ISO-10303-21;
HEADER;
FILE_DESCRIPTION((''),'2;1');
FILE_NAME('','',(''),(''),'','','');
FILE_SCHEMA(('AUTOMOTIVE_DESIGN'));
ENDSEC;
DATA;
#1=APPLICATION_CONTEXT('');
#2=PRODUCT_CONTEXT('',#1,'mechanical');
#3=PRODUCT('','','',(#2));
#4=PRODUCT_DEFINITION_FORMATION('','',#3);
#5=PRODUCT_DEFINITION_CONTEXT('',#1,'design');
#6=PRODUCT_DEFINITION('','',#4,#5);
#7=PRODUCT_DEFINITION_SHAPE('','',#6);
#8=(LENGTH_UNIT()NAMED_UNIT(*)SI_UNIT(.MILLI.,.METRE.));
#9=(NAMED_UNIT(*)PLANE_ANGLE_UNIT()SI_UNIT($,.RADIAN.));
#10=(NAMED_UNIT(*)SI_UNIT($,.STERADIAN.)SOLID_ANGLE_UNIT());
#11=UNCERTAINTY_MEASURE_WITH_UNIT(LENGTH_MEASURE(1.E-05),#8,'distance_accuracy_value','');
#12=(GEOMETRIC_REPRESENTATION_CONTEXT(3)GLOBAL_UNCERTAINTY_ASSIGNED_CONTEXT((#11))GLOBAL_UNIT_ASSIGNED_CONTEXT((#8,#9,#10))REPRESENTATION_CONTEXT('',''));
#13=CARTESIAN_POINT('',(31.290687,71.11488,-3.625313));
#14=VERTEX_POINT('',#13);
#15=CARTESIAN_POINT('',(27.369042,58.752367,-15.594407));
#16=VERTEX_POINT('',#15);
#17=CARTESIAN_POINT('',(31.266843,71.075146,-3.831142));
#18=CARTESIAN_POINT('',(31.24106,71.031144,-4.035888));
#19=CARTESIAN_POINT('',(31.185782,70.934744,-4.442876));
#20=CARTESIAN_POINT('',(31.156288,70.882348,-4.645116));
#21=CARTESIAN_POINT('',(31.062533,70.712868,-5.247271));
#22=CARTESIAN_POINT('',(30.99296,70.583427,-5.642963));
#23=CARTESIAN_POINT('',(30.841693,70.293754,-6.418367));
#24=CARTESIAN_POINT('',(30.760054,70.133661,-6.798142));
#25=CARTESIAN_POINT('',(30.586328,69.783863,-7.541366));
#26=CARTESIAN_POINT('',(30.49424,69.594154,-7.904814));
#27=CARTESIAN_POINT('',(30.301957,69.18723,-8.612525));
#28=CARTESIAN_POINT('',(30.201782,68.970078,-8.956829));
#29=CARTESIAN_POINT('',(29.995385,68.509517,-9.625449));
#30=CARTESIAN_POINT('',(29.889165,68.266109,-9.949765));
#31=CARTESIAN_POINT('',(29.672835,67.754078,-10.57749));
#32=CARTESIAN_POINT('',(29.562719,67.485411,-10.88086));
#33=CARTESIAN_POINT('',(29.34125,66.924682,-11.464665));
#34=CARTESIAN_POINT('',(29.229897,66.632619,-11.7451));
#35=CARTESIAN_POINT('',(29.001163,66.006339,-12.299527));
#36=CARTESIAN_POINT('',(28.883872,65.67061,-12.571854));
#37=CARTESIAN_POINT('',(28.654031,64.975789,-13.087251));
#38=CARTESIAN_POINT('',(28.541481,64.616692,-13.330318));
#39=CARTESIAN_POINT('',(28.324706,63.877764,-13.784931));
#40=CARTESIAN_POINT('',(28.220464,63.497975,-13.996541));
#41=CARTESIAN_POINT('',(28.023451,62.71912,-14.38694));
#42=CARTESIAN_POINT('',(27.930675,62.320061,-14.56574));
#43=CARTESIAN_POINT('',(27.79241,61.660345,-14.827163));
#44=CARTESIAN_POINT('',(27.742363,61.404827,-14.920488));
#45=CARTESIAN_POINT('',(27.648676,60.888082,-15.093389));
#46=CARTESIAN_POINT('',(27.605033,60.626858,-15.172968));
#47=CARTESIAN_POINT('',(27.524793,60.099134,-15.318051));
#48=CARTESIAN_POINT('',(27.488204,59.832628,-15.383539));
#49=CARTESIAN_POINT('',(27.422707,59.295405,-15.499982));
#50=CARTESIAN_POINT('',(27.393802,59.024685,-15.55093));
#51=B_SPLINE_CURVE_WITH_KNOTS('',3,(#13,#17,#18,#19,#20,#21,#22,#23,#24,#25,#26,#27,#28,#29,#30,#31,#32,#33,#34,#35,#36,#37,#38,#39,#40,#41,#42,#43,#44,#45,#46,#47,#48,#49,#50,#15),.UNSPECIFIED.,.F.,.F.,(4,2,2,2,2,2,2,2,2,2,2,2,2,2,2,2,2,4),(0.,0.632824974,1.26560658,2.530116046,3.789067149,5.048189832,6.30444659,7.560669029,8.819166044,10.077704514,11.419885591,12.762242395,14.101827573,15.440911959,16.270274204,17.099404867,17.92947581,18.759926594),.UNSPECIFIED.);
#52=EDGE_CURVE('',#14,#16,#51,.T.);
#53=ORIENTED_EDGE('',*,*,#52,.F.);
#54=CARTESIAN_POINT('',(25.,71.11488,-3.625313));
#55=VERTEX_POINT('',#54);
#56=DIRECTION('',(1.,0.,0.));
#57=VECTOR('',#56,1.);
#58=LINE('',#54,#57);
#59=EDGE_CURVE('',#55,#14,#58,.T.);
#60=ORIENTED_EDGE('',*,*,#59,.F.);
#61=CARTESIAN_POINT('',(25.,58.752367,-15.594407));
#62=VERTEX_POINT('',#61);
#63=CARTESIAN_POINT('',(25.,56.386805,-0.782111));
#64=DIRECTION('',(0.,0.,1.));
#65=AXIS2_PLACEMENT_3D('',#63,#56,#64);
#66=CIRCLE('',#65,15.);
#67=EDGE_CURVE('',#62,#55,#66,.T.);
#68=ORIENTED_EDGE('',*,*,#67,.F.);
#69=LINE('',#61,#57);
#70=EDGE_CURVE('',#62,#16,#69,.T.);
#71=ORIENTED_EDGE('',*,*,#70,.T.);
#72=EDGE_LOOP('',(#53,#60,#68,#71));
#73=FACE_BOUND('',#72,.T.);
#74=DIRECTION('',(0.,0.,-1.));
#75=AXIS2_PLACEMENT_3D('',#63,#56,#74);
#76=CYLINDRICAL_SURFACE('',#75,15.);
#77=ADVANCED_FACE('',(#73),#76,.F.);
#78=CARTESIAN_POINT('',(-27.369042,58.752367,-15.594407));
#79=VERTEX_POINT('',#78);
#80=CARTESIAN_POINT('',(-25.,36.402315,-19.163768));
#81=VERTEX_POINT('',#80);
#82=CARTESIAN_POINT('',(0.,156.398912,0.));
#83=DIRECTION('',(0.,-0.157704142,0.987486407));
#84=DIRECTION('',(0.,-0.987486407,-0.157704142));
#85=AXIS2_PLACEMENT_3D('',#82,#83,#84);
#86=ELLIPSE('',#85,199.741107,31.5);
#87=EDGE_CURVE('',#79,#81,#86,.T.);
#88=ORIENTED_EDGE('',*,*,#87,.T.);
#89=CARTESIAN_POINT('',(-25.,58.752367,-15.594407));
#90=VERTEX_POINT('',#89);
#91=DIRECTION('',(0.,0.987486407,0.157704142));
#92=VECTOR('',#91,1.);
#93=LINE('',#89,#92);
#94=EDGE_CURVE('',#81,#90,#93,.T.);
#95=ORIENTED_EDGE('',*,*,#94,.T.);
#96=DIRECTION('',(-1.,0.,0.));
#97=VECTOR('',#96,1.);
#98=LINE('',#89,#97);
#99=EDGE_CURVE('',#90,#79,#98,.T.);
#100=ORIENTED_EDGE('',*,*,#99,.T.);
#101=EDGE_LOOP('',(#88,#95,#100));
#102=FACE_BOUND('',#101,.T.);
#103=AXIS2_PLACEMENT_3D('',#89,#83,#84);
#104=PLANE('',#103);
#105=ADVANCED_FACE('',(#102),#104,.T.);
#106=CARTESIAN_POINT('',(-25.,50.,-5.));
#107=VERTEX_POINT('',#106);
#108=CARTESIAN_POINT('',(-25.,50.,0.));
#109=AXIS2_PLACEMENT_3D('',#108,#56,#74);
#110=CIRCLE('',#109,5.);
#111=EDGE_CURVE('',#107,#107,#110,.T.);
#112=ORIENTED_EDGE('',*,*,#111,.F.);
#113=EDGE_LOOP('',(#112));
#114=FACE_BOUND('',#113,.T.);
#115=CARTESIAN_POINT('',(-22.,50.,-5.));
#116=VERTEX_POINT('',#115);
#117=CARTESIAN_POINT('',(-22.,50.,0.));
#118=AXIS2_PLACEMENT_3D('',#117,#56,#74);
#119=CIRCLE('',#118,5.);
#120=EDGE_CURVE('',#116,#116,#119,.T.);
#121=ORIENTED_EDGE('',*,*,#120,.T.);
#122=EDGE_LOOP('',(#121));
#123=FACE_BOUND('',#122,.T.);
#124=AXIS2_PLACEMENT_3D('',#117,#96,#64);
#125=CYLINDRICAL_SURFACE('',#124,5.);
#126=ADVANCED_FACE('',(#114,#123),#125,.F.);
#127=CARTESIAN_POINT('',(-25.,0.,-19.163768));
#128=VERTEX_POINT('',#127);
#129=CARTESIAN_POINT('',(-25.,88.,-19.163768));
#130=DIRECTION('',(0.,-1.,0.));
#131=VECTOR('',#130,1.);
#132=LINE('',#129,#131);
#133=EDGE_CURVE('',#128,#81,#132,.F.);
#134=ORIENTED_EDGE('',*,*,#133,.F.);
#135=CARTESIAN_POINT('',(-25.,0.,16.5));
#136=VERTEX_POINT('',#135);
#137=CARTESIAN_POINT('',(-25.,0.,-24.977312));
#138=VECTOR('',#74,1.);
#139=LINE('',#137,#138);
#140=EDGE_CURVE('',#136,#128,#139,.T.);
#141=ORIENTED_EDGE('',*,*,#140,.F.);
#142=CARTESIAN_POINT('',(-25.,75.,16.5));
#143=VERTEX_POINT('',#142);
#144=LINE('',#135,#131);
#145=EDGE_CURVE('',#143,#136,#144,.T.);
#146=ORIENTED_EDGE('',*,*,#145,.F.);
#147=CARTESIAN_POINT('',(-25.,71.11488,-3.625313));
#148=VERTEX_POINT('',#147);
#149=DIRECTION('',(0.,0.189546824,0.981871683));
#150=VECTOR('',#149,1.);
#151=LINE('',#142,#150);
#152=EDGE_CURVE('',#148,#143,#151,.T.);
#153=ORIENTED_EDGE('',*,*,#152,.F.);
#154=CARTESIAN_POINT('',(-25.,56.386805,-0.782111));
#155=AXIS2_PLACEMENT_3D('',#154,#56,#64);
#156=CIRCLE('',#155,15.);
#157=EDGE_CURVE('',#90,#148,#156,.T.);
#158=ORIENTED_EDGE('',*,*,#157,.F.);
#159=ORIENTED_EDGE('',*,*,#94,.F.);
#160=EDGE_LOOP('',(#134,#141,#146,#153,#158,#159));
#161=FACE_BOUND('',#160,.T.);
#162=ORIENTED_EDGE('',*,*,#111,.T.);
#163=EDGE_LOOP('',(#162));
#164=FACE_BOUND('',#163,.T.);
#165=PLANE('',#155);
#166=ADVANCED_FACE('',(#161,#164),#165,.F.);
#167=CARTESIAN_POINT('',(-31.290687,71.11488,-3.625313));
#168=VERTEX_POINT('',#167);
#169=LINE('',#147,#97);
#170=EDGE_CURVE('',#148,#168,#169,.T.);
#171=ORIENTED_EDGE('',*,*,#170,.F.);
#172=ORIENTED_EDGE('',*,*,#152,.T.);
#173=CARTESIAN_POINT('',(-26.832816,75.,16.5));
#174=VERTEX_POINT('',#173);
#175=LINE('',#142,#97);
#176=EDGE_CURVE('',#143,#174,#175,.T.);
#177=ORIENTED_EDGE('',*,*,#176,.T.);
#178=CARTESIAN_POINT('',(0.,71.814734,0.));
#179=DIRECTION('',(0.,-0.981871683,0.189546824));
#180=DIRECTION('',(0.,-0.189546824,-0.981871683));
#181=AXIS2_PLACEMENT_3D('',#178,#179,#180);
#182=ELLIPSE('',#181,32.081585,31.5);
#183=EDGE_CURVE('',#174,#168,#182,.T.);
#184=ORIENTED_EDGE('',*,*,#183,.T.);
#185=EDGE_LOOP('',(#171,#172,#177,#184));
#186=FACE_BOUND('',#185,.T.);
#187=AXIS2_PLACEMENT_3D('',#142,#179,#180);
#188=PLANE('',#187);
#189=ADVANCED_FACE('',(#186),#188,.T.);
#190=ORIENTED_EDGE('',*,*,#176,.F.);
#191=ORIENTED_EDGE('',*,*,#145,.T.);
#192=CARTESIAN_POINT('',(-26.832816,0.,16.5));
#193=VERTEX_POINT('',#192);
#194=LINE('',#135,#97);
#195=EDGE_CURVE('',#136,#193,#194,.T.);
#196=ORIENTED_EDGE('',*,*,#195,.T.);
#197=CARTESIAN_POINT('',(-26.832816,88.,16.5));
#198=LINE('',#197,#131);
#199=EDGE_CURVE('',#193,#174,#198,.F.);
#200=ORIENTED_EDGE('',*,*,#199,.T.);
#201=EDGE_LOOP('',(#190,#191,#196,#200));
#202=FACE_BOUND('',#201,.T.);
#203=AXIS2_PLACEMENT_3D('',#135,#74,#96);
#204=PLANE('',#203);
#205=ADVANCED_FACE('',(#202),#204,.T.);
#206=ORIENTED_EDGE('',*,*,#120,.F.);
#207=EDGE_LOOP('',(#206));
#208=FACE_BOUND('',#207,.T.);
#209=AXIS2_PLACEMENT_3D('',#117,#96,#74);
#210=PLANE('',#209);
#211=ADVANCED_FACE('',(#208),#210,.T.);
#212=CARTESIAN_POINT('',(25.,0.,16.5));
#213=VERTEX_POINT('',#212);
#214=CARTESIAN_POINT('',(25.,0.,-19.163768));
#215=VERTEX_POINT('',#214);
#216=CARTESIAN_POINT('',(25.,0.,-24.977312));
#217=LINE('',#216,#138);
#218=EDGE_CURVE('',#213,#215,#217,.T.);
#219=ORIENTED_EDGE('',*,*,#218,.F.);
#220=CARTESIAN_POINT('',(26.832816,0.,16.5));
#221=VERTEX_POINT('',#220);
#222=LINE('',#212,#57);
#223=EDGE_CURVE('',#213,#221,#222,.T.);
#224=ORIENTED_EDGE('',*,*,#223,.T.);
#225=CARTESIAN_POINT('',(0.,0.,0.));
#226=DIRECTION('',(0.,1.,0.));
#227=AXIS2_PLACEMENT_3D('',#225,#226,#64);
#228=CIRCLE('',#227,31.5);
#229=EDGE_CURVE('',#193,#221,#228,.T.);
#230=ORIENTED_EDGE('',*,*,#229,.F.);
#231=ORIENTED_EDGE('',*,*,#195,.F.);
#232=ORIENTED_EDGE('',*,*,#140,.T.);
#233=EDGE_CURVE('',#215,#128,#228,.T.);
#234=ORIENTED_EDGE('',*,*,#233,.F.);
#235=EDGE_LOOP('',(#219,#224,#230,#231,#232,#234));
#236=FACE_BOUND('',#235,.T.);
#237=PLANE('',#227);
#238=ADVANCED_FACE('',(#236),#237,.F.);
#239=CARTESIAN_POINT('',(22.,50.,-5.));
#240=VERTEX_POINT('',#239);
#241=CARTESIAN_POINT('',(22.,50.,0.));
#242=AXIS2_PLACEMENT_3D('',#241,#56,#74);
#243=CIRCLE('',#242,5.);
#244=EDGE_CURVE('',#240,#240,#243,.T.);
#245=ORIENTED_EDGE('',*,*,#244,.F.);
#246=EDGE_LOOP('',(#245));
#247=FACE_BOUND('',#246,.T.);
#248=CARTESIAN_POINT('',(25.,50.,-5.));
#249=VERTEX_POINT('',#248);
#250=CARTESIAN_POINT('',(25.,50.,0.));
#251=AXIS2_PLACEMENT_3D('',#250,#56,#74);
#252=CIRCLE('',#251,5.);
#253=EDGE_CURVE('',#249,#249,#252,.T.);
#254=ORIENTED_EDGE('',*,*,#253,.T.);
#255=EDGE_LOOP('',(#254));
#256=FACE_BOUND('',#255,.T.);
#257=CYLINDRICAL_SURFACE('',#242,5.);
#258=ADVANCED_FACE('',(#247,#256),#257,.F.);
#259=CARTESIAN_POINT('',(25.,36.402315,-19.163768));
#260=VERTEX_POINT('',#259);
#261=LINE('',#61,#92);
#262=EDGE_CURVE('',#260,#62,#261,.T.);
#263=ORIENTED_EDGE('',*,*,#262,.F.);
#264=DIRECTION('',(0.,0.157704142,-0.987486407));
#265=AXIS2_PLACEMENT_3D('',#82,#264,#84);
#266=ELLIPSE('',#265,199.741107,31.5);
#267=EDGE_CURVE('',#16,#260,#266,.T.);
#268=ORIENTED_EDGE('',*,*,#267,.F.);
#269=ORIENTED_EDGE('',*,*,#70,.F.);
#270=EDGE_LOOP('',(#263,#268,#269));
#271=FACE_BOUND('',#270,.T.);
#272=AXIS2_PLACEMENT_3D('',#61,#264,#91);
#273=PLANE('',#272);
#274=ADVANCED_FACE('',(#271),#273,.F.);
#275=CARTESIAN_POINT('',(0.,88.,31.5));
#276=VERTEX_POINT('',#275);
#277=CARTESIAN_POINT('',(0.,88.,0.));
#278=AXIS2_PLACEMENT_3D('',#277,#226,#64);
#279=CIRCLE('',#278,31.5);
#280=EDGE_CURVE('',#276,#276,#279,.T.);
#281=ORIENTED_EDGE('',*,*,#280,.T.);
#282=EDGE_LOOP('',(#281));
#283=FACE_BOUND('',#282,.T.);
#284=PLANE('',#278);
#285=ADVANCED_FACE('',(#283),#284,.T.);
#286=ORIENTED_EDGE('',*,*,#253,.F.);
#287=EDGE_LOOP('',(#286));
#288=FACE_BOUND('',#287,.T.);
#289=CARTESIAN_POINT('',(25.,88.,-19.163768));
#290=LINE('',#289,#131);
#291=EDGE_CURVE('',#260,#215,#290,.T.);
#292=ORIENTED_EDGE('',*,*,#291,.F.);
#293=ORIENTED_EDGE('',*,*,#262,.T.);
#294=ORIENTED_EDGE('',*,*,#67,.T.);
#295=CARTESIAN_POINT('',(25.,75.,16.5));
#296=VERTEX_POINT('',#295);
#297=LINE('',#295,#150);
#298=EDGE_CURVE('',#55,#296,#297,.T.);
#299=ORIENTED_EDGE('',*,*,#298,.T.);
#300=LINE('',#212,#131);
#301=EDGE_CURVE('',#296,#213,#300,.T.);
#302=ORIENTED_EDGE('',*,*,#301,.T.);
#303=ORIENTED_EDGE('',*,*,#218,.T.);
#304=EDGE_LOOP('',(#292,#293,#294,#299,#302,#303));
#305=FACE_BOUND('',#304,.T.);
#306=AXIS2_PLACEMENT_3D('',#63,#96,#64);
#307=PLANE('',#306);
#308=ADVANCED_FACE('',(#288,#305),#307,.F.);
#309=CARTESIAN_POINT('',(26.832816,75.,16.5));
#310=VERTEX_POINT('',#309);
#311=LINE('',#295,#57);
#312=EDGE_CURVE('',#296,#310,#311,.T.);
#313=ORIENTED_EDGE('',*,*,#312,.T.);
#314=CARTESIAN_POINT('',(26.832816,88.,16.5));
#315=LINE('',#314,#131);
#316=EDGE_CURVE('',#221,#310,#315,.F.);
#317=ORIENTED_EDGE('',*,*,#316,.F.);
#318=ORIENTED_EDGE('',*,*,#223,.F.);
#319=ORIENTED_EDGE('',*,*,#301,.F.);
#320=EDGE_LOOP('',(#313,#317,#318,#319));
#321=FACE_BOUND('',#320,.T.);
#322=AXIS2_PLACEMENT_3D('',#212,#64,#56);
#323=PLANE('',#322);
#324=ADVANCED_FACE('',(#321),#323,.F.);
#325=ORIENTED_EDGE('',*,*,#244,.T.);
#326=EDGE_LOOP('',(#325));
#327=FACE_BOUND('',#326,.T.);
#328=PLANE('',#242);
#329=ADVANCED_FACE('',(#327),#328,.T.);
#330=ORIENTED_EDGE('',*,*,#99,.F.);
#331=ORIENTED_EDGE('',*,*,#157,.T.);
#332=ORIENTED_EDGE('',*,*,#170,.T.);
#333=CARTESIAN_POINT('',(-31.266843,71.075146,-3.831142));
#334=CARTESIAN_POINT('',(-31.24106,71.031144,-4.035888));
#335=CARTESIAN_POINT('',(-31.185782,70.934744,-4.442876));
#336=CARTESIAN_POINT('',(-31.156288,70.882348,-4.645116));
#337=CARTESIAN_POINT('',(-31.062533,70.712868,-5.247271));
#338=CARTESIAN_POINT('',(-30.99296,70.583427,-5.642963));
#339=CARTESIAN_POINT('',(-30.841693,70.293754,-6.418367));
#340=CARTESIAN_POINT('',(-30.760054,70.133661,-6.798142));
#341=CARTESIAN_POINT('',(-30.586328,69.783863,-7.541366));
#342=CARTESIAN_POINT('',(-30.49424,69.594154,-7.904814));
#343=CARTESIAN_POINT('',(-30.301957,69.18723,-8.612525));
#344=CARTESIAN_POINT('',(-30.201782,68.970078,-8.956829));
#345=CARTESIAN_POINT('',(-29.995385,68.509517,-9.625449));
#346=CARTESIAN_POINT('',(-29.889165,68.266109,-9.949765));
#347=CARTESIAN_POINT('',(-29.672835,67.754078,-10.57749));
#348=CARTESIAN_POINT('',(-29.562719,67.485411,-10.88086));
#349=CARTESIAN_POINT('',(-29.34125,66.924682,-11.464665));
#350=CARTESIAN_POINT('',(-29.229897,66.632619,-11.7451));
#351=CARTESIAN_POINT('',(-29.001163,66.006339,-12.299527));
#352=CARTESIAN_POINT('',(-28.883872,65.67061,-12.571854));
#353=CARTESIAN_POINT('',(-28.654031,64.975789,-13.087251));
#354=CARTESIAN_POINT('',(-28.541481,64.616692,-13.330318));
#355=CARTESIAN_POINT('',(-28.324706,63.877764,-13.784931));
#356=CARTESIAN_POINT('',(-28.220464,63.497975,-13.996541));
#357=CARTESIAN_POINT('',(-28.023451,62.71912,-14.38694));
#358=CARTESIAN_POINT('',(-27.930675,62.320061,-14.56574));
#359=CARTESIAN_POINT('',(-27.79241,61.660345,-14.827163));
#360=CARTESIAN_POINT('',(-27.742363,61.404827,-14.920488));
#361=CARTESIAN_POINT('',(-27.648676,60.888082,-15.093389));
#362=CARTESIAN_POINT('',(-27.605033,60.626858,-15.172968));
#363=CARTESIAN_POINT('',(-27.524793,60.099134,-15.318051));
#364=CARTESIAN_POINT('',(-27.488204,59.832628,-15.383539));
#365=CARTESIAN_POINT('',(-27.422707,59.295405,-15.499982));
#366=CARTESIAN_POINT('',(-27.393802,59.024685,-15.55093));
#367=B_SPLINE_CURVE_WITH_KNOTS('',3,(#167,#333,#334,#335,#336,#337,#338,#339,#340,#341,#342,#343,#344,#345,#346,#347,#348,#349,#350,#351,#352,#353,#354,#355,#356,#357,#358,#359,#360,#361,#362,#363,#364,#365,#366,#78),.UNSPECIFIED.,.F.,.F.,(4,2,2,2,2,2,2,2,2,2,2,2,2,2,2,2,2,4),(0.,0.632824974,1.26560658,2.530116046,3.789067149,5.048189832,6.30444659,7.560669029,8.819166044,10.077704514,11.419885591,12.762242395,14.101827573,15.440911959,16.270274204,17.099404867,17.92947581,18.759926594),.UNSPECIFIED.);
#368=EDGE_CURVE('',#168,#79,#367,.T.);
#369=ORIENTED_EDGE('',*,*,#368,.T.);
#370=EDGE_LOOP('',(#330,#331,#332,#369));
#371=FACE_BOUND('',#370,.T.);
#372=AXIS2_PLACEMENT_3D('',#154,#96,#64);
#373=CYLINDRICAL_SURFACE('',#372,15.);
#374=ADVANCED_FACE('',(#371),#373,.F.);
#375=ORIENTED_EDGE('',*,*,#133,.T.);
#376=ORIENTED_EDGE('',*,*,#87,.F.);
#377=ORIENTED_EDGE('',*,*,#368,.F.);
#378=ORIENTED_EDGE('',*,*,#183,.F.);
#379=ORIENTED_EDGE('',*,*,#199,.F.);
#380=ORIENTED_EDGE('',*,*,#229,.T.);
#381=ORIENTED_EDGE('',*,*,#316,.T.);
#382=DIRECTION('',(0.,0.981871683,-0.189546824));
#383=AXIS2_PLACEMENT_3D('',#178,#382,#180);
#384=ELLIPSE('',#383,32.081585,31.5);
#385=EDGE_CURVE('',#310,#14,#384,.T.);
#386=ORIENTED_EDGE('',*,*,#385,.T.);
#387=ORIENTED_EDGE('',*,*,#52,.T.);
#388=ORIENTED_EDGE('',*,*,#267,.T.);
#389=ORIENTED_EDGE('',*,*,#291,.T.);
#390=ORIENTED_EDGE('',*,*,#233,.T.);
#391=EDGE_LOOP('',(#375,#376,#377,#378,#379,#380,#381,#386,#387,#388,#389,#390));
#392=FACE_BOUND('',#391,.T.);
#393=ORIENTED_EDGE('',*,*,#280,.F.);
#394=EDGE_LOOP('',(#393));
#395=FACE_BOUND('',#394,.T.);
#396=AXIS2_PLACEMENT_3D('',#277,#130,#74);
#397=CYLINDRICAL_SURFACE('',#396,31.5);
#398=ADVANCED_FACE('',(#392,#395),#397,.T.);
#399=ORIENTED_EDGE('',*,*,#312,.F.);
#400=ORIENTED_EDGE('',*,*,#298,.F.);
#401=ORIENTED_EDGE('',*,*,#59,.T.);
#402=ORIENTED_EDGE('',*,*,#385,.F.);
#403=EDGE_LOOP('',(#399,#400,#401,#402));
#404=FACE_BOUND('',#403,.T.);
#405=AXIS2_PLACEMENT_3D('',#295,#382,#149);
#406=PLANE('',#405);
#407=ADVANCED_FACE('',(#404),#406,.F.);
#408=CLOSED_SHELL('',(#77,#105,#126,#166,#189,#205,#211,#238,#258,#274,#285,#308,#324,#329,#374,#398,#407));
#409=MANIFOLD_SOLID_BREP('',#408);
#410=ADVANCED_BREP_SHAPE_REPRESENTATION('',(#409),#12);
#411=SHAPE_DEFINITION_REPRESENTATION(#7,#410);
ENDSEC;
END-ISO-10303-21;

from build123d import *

# Parameters (mm, degrees)
SKETCH_1_R          = 31.5
EXTRUDE_1_DEPTH     = 88
CUT_EXTRUDE_1_DEPTH = 6.5
SKETCH_3_R          = 5
CUT_EXTRUDE_2_DEPTH = 3


with BuildPart() as part:
    # 草图1 → 凸台-拉伸1 (new body)
    with BuildSketch(Plane(origin=(0, 0, 0), x_dir=(1, 0, 0), z_dir=(0, 1, 0))):
        with Locations(Location((0, 0, 0), (0, 0, 270))):
            Circle(SKETCH_1_R)
    extrude(amount=EXTRUDE_1_DEPTH)

    # 草图2 → 切除-拉伸1 (cut)
    with BuildSketch(Plane(origin=(31.5, 0, 0), x_dir=(0, 0, -1), z_dir=(1, 0, 0))):
        with BuildLine():
            Line((-16.5, 75), (3.625312861, 71.114880191))
            ThreePointArc((3.625312861, 71.114880191), (11.558802441, 66.820544019), (15.59440661, 58.752367083))
            Line((15.59440661, 58.752367083), (24.977312136, 0))
            Line((24.977312136, 0), (-16.5, 0))
            Line((-16.5, 0), (-16.5, 75))
        make_face()
    cut_extrude_1 = extrude(amount=-CUT_EXTRUDE_1_DEPTH, mode=Mode.SUBTRACT)

    # 镜向1: 切除-拉伸1 across plane
    add(cut_extrude_1.mirror(Plane(origin=(0, 0, 0), x_dir=(0, 0, 1), z_dir=(1, 0, 0))), mode=Mode.SUBTRACT)

    # 草图3 → 切除-拉伸2 (cut)
    with BuildSketch(Plane(origin=(25, 0, 0), x_dir=(0, 0, -1), z_dir=(1, 0, 0))):
        with Locations((0, 50)):
            Circle(SKETCH_3_R)
    cut_extrude_2 = extrude(amount=-CUT_EXTRUDE_2_DEPTH, mode=Mode.SUBTRACT)

    # 镜向2: 切除-拉伸2 across plane
    add(cut_extrude_2.mirror(Plane(origin=(0, 0, 0), x_dir=(0, 0, 1), z_dir=(1, 0, 0))), mode=Mode.SUBTRACT)


solid = part.part
